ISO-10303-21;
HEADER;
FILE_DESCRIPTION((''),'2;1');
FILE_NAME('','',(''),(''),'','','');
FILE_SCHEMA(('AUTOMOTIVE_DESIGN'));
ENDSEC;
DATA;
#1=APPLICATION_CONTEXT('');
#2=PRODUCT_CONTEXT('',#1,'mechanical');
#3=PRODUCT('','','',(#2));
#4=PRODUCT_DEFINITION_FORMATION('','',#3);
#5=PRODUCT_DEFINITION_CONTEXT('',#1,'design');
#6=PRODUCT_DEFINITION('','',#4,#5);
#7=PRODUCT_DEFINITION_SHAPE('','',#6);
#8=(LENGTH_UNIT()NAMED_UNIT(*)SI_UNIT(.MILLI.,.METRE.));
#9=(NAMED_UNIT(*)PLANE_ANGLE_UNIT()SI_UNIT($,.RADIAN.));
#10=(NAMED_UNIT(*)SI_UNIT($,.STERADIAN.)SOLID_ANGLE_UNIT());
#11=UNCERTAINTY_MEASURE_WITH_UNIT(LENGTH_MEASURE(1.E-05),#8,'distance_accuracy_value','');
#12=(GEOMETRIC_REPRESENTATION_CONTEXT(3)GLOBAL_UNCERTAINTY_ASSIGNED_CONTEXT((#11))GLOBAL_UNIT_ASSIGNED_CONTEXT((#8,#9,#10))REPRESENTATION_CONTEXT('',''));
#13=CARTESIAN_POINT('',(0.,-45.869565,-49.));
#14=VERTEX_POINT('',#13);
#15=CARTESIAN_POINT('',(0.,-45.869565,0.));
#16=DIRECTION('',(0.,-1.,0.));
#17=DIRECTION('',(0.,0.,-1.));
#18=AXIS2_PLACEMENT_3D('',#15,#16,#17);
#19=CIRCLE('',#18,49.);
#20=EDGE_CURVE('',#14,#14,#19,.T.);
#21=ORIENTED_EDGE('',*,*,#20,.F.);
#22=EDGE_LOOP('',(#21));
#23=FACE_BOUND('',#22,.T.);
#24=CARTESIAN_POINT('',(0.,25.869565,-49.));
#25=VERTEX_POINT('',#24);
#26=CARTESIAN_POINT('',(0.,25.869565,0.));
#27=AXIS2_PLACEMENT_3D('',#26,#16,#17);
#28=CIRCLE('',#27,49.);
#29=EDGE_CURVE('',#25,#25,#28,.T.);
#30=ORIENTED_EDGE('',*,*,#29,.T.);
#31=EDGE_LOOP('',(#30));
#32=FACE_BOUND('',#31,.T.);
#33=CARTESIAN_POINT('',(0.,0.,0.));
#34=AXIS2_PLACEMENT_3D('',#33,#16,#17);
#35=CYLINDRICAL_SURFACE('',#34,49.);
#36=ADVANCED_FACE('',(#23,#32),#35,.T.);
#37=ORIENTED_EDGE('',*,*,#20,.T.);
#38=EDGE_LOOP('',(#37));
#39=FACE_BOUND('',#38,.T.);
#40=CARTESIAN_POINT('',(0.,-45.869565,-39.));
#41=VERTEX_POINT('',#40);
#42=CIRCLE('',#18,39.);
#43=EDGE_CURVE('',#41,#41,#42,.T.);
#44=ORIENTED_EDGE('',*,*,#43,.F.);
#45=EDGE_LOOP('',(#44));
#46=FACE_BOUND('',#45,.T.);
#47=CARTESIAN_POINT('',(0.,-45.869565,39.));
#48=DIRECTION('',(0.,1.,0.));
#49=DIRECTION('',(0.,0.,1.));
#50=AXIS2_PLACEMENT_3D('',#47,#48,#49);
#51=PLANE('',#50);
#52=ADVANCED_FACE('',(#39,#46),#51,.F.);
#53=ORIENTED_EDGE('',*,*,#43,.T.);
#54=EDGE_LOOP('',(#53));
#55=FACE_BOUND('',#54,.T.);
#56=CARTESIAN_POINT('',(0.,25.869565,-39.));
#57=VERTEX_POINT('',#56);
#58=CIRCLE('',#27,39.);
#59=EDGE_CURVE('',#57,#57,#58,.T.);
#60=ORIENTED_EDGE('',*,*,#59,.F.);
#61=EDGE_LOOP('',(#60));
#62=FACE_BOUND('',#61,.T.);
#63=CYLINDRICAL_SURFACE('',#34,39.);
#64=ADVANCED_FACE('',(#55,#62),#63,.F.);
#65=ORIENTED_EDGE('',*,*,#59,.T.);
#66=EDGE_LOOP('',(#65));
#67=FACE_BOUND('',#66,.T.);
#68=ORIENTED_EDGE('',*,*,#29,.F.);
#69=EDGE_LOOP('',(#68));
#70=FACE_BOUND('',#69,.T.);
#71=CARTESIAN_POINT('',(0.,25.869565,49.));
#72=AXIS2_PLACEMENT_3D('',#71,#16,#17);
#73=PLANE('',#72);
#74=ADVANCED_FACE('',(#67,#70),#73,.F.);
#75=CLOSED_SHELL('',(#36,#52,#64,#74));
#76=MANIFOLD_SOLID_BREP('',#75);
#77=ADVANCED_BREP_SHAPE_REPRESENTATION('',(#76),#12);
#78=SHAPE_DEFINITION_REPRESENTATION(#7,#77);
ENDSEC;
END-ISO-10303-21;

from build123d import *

# Parameters (mm, degrees)
CROQUIS1_W = 10
CROQUIS1_H = 71.739130434


with BuildPart() as part:
    # Croquis1 → Revolución1 (revolve)
    with BuildSketch(Plane(origin=(0, 0, 0), x_dir=(0, 0, -1), z_dir=(1, 0, 0)), mode=Mode.PRIVATE) as revoluci_n1_sk:
        with Locations((-44, -10)):
            Rectangle(CROQUIS1_W, CROQUIS1_H)
    revolve(revoluci_n1_sk.sketch.rotate(Axis((0, 0, 0), (0, 1, 0)), 180), axis=Axis((0, 0, 0), (0, 1, 0)))


solid = part.part
